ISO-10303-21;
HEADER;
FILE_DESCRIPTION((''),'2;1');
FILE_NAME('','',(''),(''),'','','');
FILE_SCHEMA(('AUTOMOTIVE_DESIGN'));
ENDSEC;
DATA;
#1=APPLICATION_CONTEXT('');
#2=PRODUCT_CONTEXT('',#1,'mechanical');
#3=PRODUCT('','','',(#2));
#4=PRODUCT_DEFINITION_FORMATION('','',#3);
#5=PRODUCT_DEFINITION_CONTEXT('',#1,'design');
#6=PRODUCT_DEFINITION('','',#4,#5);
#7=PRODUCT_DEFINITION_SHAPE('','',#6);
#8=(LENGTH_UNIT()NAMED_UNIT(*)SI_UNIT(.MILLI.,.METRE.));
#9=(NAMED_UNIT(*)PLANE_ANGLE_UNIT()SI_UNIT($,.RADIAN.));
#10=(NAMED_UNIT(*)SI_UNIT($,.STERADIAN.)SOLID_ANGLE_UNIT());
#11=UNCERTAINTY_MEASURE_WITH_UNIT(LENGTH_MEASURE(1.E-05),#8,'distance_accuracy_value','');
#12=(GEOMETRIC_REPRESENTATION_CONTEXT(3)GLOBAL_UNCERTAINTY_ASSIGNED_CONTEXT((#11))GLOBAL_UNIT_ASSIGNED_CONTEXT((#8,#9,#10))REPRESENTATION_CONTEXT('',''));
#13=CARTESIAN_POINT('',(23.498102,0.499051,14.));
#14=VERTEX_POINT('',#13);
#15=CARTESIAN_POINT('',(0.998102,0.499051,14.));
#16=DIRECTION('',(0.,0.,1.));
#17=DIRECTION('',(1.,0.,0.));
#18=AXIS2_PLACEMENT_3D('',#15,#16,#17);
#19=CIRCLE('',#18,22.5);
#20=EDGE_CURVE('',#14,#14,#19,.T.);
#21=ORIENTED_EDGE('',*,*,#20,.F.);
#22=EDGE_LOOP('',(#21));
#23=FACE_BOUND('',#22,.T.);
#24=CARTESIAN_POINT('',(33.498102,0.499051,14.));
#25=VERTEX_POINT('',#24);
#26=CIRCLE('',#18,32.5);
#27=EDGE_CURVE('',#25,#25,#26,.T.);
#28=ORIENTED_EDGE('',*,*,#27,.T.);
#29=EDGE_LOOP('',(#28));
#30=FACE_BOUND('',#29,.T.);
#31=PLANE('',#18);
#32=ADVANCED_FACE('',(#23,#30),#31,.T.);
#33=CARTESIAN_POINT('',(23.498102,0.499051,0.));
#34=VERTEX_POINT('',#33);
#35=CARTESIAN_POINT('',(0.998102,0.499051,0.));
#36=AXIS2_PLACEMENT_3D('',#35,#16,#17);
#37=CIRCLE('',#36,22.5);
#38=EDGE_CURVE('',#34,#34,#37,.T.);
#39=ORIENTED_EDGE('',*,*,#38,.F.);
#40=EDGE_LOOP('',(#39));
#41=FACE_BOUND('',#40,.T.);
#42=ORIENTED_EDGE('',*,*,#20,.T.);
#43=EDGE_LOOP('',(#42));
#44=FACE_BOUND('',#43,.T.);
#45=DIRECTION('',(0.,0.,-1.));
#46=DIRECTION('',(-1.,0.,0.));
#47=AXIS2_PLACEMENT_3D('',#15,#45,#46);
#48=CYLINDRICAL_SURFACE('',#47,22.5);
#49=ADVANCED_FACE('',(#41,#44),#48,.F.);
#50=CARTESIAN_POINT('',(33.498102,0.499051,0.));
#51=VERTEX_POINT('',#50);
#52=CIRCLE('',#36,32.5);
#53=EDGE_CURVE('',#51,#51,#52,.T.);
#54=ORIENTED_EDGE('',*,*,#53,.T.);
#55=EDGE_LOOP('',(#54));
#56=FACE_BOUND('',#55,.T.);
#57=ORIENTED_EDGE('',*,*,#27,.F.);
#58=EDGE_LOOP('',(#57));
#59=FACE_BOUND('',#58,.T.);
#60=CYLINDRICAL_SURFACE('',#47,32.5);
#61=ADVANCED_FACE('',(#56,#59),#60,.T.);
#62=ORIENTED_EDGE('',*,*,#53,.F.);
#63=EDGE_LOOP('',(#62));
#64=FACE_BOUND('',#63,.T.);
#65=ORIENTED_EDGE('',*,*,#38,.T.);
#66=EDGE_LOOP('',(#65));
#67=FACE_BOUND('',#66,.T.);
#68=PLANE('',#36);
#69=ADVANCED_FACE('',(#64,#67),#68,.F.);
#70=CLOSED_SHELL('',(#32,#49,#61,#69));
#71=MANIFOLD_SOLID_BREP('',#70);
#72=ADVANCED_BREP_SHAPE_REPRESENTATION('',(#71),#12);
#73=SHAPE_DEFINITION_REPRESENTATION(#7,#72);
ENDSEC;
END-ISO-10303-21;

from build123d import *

# Parameters (mm, degrees)
SKETCH_1_R      = 32.5
SKETCH_1_R_2    = 22.5
EXTRUDE_1_DEPTH = 14


with BuildPart() as part:
    # 草图1 → 凸台-拉伸1 (new body)
    with BuildSketch(Plane.XY):
        with Locations((0.998101581, 0.499050791)):
            Circle(SKETCH_1_R)
        with Locations((0.998101581, 0.499050791)):
            Circle(SKETCH_1_R_2, mode=Mode.SUBTRACT)
    extrude(amount=EXTRUDE_1_DEPTH)


solid = part.part
